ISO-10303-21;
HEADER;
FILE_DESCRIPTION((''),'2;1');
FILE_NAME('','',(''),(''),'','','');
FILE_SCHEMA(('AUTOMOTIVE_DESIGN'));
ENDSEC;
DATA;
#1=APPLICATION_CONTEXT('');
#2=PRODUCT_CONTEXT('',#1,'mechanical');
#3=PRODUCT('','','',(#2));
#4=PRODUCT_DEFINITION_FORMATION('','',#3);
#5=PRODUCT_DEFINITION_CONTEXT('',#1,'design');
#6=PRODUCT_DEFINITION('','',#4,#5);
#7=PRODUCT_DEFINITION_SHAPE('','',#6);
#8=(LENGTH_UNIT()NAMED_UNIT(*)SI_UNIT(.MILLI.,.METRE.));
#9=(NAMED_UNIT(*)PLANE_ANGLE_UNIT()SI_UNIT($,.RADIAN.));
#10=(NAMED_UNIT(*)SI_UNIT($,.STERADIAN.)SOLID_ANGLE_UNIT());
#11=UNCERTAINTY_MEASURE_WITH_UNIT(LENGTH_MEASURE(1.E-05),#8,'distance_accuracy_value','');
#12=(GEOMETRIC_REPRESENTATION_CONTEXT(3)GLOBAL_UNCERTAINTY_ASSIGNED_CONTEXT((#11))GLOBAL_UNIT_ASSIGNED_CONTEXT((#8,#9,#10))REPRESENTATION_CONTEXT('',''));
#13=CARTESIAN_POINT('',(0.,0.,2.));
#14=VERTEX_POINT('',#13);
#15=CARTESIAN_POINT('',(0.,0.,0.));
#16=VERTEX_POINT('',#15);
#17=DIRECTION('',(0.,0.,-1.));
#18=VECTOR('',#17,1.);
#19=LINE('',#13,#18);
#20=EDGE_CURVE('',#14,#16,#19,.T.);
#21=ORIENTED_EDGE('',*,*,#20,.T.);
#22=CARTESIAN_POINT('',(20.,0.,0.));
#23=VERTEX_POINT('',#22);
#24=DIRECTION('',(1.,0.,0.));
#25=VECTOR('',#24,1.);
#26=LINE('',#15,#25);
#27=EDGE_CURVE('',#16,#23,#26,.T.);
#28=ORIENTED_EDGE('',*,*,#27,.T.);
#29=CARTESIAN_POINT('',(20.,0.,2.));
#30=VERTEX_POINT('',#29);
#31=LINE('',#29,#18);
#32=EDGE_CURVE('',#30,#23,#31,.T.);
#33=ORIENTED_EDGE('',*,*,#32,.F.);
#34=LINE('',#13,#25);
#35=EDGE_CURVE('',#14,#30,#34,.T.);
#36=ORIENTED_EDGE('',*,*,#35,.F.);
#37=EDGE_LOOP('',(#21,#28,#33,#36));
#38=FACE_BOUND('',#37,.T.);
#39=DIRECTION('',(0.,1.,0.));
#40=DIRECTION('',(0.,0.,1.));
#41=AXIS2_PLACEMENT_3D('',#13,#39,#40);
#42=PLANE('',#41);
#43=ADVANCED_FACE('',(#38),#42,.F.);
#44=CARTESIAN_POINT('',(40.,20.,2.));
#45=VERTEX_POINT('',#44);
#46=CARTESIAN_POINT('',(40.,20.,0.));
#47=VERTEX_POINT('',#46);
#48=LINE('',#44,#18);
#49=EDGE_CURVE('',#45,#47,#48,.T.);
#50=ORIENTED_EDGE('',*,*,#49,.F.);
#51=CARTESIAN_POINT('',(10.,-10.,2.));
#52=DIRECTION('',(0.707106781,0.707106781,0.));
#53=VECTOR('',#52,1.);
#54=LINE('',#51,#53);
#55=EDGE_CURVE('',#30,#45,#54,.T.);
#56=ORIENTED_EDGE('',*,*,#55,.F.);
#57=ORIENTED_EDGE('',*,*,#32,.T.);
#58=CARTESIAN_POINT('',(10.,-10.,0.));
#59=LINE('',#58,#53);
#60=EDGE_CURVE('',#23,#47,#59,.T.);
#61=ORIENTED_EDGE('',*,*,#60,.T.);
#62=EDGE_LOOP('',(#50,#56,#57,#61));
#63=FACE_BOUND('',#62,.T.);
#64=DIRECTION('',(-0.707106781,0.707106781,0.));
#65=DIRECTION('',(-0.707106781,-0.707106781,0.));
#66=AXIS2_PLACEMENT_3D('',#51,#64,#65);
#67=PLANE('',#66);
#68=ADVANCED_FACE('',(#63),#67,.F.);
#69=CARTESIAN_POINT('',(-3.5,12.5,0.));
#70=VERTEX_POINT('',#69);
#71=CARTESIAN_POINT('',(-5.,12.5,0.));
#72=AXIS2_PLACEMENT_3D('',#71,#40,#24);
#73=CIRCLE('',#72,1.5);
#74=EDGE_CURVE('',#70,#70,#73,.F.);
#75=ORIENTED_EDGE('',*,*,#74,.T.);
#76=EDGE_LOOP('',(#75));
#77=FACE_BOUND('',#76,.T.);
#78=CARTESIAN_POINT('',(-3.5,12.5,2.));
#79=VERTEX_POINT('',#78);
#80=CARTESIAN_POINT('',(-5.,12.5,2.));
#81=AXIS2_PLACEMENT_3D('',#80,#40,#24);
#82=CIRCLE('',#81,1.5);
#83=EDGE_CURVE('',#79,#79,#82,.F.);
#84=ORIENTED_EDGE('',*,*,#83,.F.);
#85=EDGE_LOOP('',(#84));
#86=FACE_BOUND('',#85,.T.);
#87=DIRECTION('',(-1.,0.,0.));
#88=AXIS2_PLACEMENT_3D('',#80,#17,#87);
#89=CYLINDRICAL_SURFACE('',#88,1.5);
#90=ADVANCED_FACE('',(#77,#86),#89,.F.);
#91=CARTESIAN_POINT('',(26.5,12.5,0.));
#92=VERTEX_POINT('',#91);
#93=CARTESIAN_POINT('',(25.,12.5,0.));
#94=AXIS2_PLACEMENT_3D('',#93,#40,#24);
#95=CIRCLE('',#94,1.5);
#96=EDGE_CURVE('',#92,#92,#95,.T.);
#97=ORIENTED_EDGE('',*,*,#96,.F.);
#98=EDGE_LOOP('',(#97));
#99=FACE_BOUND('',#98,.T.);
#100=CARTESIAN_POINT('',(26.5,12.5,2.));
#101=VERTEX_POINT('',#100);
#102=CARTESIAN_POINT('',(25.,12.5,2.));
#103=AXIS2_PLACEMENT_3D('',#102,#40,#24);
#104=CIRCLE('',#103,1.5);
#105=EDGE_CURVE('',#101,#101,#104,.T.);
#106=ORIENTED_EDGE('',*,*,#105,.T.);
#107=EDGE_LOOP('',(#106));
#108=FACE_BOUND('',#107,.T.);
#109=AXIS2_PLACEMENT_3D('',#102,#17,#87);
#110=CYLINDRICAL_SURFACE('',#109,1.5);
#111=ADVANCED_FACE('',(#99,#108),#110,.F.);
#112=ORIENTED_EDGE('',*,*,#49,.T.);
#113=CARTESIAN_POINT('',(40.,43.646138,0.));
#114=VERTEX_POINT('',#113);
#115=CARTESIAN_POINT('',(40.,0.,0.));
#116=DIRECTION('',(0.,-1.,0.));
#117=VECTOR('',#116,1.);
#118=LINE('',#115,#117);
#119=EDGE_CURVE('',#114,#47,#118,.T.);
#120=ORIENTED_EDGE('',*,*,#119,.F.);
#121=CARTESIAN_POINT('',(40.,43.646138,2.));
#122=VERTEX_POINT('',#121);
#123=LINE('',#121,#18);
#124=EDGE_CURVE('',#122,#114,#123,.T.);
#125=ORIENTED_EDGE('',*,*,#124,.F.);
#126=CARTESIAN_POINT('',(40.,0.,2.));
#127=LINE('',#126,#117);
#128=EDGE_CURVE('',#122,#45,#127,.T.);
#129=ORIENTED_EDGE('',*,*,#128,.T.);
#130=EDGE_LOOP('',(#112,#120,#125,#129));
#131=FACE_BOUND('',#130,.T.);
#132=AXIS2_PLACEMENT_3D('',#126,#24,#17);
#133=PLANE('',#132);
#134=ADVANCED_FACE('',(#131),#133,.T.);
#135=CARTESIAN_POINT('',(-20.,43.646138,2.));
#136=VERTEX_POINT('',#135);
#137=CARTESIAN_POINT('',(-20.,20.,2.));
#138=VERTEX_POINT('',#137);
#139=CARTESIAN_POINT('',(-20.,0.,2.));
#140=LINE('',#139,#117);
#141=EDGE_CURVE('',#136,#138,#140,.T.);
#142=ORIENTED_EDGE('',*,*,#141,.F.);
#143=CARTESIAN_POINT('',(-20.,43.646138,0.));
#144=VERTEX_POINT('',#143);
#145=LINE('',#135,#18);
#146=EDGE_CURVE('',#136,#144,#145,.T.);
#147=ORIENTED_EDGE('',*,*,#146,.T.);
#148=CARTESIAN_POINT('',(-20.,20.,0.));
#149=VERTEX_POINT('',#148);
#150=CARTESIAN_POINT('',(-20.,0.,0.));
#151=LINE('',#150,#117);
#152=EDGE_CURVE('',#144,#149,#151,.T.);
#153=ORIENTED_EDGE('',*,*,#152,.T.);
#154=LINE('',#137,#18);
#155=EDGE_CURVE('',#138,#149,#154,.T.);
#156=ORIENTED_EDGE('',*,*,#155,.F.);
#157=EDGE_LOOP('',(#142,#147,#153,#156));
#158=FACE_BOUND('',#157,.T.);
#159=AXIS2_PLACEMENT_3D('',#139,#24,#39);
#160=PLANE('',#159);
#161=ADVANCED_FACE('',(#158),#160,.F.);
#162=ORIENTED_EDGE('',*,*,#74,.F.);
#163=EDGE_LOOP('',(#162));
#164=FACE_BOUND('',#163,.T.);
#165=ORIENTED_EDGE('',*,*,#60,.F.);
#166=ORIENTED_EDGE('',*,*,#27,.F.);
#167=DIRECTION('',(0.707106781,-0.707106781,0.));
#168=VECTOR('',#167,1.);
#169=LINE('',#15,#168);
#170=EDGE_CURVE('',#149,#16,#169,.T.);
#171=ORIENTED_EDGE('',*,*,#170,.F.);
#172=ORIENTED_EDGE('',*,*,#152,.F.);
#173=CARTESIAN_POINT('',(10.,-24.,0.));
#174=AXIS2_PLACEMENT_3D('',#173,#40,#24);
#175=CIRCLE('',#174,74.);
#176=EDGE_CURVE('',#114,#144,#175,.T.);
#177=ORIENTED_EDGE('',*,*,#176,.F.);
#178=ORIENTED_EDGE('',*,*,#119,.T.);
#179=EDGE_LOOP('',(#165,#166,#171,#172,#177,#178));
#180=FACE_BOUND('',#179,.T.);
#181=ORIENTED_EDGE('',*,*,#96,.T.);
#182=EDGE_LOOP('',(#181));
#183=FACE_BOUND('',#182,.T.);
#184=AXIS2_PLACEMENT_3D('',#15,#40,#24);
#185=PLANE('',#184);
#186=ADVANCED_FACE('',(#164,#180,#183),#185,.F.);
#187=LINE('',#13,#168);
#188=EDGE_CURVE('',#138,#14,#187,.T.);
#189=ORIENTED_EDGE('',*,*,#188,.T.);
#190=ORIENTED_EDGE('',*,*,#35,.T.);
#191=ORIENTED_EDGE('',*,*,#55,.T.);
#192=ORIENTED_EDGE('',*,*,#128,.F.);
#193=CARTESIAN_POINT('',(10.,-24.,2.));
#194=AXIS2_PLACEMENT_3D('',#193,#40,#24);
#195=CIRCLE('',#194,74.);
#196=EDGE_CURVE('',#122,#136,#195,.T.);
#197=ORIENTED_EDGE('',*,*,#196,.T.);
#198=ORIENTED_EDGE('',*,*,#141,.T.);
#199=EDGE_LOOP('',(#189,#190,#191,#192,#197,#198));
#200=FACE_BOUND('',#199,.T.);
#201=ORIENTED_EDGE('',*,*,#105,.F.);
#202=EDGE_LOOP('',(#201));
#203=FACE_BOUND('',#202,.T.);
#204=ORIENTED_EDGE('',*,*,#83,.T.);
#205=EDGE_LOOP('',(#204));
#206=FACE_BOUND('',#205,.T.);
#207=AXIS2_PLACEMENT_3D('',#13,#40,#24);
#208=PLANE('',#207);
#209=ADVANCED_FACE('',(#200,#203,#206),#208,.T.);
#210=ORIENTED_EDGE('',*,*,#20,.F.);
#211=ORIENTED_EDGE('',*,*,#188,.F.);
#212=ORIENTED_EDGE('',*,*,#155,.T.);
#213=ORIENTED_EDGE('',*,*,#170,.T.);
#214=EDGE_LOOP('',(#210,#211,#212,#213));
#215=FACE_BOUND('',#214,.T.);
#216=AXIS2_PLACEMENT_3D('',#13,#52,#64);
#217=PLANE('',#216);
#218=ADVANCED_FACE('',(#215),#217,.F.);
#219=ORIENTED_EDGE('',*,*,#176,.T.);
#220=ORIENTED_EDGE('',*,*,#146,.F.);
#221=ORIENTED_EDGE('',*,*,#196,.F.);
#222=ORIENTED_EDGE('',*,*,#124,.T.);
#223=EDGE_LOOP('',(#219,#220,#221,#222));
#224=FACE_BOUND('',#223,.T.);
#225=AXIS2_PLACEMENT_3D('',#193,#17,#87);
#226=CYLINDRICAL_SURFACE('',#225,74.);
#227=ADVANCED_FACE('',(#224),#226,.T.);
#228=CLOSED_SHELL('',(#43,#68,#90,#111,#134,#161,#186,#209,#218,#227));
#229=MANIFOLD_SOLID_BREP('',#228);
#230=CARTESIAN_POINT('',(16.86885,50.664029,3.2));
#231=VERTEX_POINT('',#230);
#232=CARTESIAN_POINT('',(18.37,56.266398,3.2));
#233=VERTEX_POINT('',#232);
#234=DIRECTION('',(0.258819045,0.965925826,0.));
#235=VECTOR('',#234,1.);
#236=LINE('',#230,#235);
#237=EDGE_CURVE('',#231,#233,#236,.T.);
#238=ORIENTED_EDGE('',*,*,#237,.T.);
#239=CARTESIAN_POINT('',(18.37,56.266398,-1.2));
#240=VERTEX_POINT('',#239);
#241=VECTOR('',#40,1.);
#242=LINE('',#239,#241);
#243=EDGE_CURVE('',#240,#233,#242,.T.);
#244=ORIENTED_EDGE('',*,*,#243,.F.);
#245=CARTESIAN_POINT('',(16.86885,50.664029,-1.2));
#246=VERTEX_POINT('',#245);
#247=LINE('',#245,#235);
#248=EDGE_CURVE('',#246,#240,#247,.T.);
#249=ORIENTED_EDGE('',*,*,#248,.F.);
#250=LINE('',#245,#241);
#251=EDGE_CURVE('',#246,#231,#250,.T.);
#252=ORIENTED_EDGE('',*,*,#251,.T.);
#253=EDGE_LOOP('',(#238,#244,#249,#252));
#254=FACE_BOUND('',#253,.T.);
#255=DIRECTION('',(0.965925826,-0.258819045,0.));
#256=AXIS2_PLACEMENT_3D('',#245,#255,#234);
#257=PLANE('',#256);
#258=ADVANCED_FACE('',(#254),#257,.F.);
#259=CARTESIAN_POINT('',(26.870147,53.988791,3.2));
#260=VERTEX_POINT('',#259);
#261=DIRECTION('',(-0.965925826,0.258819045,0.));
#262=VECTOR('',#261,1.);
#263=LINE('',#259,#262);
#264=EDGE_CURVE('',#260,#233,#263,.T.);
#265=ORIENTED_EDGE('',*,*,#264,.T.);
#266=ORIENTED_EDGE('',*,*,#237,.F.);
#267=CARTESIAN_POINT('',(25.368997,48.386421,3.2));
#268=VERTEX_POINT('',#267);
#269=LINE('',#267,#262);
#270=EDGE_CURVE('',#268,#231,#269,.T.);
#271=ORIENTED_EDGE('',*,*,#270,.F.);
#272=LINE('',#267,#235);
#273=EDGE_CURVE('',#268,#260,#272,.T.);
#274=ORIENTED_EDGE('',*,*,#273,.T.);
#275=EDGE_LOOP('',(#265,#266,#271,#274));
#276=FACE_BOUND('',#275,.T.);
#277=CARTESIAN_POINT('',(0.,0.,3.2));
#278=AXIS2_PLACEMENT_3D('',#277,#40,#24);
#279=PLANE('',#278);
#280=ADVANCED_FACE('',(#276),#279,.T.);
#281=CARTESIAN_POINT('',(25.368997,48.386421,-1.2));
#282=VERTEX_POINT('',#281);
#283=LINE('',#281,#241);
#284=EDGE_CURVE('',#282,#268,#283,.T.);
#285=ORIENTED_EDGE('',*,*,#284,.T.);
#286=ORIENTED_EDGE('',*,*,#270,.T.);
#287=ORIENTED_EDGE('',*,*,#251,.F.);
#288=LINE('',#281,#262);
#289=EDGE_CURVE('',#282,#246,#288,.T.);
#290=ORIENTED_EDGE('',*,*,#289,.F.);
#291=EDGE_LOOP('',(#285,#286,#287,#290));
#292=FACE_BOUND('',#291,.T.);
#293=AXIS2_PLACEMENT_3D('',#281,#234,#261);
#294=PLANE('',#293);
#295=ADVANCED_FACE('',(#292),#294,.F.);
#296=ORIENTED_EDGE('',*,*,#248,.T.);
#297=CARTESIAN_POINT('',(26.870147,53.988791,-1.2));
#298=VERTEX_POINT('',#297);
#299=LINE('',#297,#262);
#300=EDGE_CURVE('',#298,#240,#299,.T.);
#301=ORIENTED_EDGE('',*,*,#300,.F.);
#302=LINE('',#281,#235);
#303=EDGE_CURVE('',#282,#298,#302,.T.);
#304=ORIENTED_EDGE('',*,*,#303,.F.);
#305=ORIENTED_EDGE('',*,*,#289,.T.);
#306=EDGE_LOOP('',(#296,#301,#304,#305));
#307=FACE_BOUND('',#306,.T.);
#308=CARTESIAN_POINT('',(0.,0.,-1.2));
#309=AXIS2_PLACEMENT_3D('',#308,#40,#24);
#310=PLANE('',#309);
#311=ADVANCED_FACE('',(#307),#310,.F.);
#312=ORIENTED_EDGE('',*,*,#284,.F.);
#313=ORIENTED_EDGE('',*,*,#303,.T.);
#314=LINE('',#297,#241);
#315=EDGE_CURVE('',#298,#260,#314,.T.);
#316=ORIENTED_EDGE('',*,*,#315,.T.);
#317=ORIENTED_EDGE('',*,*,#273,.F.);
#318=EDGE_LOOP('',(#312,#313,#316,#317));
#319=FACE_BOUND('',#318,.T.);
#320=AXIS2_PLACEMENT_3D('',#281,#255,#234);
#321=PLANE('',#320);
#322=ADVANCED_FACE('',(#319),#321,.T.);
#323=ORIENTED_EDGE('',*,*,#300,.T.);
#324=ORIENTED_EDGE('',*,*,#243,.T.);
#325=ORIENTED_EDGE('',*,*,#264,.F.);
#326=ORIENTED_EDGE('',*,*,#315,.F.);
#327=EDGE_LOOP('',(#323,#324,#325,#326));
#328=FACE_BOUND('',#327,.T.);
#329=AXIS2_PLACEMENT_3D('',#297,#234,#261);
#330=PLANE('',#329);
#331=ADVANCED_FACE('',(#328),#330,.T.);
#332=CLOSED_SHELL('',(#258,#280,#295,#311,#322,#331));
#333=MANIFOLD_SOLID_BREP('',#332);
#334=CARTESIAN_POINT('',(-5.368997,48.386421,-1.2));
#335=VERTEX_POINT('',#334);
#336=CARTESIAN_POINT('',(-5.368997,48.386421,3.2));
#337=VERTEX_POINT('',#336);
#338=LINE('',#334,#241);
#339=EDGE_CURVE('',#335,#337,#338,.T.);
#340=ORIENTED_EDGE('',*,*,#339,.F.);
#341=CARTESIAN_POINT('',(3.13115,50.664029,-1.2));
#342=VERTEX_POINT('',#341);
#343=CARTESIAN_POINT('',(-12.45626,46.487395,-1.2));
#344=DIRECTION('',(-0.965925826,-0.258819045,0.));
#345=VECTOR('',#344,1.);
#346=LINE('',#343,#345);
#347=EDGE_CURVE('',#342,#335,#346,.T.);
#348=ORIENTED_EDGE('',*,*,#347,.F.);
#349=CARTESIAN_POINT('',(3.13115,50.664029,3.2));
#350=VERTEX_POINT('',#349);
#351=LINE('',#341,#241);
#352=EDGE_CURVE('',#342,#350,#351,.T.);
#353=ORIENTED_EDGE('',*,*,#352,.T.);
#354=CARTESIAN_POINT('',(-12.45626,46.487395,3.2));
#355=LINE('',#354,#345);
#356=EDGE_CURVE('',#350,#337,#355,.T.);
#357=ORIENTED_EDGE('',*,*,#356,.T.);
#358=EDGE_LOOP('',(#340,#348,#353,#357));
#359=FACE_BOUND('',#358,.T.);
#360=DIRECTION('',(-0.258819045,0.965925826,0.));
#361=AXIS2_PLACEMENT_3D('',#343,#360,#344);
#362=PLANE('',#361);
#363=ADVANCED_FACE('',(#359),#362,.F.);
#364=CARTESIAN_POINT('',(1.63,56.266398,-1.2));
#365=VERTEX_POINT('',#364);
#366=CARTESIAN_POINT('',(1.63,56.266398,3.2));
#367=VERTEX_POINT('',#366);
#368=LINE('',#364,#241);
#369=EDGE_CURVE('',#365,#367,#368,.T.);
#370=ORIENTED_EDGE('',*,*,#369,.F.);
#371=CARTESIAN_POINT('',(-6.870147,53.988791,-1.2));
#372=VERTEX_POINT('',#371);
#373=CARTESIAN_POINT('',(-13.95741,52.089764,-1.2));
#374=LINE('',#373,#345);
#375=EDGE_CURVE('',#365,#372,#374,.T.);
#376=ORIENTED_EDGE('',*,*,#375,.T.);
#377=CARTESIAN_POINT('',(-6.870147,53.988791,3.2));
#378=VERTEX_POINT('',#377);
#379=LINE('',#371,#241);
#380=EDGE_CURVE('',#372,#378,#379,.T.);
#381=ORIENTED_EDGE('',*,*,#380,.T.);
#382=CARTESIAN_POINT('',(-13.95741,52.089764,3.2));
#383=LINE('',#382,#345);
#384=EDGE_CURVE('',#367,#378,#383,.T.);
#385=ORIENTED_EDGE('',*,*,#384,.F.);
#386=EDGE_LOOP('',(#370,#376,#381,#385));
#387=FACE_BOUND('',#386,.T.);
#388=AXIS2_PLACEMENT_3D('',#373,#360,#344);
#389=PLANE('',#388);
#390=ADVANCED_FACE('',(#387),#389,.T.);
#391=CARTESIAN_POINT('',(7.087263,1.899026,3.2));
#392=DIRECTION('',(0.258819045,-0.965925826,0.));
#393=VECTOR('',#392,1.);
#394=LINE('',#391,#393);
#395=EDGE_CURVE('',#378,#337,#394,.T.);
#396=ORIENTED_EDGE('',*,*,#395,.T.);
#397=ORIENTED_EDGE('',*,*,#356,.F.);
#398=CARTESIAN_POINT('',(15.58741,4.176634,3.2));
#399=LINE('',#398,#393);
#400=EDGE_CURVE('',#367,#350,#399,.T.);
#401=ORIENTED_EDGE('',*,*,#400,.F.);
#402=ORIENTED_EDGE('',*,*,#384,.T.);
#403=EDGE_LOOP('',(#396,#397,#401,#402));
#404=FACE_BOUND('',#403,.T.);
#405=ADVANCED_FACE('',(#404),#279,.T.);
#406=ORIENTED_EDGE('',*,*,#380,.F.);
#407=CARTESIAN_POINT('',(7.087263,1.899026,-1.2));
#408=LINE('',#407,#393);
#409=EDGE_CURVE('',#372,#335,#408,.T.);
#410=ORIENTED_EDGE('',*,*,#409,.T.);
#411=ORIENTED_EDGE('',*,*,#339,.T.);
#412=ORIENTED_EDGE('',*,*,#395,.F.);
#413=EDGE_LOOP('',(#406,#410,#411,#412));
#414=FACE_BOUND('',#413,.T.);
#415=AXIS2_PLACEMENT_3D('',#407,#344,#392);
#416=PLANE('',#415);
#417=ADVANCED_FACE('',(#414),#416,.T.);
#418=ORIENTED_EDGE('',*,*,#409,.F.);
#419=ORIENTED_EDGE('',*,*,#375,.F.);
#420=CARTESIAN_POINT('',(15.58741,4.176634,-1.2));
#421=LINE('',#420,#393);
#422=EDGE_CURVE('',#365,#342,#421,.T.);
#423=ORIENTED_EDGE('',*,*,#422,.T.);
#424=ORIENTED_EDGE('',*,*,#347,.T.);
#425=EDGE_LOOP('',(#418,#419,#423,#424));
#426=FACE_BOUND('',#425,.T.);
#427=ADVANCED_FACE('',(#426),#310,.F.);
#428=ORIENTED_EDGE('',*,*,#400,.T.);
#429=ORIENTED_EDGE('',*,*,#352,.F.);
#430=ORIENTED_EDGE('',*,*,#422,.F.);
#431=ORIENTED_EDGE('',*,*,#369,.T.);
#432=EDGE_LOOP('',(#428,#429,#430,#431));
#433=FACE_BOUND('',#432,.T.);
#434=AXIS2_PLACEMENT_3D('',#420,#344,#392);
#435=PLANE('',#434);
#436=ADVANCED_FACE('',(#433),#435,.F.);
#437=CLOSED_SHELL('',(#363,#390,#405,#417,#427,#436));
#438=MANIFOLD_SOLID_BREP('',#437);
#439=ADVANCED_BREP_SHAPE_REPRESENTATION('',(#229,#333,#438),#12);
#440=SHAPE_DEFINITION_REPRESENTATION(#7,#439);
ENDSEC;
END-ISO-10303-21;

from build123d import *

# Parameters (mm, degrees)
BOSS_EXTRU_1_DEPTH        = 3.2
BOSS_EXTRU_1_DEPTH_BACK   = 1.2
BOSS_EXTRU_1_2_DEPTH      = 3.2
BOSS_EXTRU_1_2_DEPTH_BACK = 1.2
ESQUISSE3_3_R             = 1.5
BOSS_EXTRU_2_DEPTH        = 2


with BuildPart() as part:
    # Esquisse3 → Boss.-Extru.1 (new, two sides: drawn at the far end of the back side and taken through both)
    with BuildSketch(Plane.XY.offset(-BOSS_EXTRU_1_DEPTH_BACK)):
        Polygon((-6.870147271, 53.988790736), (-5.36899681, 48.386420944), (3.131150462, 50.664028541), (1.63, 56.266398333), align=None)
    extrude(amount=BOSS_EXTRU_1_DEPTH + BOSS_EXTRU_1_DEPTH_BACK)


with BuildPart() as body_2:
    # Esquisse3 → Boss.-Extru.1 2 (new, two sides: drawn at the far end of the back side and taken through both)
    with BuildSketch(Plane.XY.offset(-BOSS_EXTRU_1_2_DEPTH_BACK)):
        Polygon((16.868849538, 50.664028541), (25.36899681, 48.386420944), (26.870147271, 53.988790736), (18.37, 56.266398333), align=None)
    extrude(amount=BOSS_EXTRU_1_2_DEPTH + BOSS_EXTRU_1_2_DEPTH_BACK)


with BuildPart() as body_3:
    # Esquisse3<3> → Boss.-Extru.2 (new body)
    with BuildSketch(Plane.XY):
        with BuildLine():
            Line((-20, 43.646138101), (-20, 20))
            Line((-20, 20), (0, 0))
            Line((0, 0), (20, 0))
            Line((20, 0), (40, 20))
            Line((40, 20), (40, 43.646138101))
            ThreePointArc((40, 43.646138101), (32.807981898, 46.397414454), (25.36899681, 48.386420944))
            ThreePointArc((25.36899681, 48.386420944), (10, 50), (-5.36899681, 48.386420944))
            ThreePointArc((-5.36899681, 48.386420944), (-12.807981898, 46.397414454), (-20, 43.646138101))
        make_face()
        with Locations((-5, 12.5)):
            Circle(ESQUISSE3_3_R, mode=Mode.SUBTRACT)
        with Locations((25, 12.5)):
            Circle(ESQUISSE3_3_R, mode=Mode.SUBTRACT)
    extrude(amount=BOSS_EXTRU_2_DEPTH)


solid = Compound([part.part, body_2.part, body_3.part])
